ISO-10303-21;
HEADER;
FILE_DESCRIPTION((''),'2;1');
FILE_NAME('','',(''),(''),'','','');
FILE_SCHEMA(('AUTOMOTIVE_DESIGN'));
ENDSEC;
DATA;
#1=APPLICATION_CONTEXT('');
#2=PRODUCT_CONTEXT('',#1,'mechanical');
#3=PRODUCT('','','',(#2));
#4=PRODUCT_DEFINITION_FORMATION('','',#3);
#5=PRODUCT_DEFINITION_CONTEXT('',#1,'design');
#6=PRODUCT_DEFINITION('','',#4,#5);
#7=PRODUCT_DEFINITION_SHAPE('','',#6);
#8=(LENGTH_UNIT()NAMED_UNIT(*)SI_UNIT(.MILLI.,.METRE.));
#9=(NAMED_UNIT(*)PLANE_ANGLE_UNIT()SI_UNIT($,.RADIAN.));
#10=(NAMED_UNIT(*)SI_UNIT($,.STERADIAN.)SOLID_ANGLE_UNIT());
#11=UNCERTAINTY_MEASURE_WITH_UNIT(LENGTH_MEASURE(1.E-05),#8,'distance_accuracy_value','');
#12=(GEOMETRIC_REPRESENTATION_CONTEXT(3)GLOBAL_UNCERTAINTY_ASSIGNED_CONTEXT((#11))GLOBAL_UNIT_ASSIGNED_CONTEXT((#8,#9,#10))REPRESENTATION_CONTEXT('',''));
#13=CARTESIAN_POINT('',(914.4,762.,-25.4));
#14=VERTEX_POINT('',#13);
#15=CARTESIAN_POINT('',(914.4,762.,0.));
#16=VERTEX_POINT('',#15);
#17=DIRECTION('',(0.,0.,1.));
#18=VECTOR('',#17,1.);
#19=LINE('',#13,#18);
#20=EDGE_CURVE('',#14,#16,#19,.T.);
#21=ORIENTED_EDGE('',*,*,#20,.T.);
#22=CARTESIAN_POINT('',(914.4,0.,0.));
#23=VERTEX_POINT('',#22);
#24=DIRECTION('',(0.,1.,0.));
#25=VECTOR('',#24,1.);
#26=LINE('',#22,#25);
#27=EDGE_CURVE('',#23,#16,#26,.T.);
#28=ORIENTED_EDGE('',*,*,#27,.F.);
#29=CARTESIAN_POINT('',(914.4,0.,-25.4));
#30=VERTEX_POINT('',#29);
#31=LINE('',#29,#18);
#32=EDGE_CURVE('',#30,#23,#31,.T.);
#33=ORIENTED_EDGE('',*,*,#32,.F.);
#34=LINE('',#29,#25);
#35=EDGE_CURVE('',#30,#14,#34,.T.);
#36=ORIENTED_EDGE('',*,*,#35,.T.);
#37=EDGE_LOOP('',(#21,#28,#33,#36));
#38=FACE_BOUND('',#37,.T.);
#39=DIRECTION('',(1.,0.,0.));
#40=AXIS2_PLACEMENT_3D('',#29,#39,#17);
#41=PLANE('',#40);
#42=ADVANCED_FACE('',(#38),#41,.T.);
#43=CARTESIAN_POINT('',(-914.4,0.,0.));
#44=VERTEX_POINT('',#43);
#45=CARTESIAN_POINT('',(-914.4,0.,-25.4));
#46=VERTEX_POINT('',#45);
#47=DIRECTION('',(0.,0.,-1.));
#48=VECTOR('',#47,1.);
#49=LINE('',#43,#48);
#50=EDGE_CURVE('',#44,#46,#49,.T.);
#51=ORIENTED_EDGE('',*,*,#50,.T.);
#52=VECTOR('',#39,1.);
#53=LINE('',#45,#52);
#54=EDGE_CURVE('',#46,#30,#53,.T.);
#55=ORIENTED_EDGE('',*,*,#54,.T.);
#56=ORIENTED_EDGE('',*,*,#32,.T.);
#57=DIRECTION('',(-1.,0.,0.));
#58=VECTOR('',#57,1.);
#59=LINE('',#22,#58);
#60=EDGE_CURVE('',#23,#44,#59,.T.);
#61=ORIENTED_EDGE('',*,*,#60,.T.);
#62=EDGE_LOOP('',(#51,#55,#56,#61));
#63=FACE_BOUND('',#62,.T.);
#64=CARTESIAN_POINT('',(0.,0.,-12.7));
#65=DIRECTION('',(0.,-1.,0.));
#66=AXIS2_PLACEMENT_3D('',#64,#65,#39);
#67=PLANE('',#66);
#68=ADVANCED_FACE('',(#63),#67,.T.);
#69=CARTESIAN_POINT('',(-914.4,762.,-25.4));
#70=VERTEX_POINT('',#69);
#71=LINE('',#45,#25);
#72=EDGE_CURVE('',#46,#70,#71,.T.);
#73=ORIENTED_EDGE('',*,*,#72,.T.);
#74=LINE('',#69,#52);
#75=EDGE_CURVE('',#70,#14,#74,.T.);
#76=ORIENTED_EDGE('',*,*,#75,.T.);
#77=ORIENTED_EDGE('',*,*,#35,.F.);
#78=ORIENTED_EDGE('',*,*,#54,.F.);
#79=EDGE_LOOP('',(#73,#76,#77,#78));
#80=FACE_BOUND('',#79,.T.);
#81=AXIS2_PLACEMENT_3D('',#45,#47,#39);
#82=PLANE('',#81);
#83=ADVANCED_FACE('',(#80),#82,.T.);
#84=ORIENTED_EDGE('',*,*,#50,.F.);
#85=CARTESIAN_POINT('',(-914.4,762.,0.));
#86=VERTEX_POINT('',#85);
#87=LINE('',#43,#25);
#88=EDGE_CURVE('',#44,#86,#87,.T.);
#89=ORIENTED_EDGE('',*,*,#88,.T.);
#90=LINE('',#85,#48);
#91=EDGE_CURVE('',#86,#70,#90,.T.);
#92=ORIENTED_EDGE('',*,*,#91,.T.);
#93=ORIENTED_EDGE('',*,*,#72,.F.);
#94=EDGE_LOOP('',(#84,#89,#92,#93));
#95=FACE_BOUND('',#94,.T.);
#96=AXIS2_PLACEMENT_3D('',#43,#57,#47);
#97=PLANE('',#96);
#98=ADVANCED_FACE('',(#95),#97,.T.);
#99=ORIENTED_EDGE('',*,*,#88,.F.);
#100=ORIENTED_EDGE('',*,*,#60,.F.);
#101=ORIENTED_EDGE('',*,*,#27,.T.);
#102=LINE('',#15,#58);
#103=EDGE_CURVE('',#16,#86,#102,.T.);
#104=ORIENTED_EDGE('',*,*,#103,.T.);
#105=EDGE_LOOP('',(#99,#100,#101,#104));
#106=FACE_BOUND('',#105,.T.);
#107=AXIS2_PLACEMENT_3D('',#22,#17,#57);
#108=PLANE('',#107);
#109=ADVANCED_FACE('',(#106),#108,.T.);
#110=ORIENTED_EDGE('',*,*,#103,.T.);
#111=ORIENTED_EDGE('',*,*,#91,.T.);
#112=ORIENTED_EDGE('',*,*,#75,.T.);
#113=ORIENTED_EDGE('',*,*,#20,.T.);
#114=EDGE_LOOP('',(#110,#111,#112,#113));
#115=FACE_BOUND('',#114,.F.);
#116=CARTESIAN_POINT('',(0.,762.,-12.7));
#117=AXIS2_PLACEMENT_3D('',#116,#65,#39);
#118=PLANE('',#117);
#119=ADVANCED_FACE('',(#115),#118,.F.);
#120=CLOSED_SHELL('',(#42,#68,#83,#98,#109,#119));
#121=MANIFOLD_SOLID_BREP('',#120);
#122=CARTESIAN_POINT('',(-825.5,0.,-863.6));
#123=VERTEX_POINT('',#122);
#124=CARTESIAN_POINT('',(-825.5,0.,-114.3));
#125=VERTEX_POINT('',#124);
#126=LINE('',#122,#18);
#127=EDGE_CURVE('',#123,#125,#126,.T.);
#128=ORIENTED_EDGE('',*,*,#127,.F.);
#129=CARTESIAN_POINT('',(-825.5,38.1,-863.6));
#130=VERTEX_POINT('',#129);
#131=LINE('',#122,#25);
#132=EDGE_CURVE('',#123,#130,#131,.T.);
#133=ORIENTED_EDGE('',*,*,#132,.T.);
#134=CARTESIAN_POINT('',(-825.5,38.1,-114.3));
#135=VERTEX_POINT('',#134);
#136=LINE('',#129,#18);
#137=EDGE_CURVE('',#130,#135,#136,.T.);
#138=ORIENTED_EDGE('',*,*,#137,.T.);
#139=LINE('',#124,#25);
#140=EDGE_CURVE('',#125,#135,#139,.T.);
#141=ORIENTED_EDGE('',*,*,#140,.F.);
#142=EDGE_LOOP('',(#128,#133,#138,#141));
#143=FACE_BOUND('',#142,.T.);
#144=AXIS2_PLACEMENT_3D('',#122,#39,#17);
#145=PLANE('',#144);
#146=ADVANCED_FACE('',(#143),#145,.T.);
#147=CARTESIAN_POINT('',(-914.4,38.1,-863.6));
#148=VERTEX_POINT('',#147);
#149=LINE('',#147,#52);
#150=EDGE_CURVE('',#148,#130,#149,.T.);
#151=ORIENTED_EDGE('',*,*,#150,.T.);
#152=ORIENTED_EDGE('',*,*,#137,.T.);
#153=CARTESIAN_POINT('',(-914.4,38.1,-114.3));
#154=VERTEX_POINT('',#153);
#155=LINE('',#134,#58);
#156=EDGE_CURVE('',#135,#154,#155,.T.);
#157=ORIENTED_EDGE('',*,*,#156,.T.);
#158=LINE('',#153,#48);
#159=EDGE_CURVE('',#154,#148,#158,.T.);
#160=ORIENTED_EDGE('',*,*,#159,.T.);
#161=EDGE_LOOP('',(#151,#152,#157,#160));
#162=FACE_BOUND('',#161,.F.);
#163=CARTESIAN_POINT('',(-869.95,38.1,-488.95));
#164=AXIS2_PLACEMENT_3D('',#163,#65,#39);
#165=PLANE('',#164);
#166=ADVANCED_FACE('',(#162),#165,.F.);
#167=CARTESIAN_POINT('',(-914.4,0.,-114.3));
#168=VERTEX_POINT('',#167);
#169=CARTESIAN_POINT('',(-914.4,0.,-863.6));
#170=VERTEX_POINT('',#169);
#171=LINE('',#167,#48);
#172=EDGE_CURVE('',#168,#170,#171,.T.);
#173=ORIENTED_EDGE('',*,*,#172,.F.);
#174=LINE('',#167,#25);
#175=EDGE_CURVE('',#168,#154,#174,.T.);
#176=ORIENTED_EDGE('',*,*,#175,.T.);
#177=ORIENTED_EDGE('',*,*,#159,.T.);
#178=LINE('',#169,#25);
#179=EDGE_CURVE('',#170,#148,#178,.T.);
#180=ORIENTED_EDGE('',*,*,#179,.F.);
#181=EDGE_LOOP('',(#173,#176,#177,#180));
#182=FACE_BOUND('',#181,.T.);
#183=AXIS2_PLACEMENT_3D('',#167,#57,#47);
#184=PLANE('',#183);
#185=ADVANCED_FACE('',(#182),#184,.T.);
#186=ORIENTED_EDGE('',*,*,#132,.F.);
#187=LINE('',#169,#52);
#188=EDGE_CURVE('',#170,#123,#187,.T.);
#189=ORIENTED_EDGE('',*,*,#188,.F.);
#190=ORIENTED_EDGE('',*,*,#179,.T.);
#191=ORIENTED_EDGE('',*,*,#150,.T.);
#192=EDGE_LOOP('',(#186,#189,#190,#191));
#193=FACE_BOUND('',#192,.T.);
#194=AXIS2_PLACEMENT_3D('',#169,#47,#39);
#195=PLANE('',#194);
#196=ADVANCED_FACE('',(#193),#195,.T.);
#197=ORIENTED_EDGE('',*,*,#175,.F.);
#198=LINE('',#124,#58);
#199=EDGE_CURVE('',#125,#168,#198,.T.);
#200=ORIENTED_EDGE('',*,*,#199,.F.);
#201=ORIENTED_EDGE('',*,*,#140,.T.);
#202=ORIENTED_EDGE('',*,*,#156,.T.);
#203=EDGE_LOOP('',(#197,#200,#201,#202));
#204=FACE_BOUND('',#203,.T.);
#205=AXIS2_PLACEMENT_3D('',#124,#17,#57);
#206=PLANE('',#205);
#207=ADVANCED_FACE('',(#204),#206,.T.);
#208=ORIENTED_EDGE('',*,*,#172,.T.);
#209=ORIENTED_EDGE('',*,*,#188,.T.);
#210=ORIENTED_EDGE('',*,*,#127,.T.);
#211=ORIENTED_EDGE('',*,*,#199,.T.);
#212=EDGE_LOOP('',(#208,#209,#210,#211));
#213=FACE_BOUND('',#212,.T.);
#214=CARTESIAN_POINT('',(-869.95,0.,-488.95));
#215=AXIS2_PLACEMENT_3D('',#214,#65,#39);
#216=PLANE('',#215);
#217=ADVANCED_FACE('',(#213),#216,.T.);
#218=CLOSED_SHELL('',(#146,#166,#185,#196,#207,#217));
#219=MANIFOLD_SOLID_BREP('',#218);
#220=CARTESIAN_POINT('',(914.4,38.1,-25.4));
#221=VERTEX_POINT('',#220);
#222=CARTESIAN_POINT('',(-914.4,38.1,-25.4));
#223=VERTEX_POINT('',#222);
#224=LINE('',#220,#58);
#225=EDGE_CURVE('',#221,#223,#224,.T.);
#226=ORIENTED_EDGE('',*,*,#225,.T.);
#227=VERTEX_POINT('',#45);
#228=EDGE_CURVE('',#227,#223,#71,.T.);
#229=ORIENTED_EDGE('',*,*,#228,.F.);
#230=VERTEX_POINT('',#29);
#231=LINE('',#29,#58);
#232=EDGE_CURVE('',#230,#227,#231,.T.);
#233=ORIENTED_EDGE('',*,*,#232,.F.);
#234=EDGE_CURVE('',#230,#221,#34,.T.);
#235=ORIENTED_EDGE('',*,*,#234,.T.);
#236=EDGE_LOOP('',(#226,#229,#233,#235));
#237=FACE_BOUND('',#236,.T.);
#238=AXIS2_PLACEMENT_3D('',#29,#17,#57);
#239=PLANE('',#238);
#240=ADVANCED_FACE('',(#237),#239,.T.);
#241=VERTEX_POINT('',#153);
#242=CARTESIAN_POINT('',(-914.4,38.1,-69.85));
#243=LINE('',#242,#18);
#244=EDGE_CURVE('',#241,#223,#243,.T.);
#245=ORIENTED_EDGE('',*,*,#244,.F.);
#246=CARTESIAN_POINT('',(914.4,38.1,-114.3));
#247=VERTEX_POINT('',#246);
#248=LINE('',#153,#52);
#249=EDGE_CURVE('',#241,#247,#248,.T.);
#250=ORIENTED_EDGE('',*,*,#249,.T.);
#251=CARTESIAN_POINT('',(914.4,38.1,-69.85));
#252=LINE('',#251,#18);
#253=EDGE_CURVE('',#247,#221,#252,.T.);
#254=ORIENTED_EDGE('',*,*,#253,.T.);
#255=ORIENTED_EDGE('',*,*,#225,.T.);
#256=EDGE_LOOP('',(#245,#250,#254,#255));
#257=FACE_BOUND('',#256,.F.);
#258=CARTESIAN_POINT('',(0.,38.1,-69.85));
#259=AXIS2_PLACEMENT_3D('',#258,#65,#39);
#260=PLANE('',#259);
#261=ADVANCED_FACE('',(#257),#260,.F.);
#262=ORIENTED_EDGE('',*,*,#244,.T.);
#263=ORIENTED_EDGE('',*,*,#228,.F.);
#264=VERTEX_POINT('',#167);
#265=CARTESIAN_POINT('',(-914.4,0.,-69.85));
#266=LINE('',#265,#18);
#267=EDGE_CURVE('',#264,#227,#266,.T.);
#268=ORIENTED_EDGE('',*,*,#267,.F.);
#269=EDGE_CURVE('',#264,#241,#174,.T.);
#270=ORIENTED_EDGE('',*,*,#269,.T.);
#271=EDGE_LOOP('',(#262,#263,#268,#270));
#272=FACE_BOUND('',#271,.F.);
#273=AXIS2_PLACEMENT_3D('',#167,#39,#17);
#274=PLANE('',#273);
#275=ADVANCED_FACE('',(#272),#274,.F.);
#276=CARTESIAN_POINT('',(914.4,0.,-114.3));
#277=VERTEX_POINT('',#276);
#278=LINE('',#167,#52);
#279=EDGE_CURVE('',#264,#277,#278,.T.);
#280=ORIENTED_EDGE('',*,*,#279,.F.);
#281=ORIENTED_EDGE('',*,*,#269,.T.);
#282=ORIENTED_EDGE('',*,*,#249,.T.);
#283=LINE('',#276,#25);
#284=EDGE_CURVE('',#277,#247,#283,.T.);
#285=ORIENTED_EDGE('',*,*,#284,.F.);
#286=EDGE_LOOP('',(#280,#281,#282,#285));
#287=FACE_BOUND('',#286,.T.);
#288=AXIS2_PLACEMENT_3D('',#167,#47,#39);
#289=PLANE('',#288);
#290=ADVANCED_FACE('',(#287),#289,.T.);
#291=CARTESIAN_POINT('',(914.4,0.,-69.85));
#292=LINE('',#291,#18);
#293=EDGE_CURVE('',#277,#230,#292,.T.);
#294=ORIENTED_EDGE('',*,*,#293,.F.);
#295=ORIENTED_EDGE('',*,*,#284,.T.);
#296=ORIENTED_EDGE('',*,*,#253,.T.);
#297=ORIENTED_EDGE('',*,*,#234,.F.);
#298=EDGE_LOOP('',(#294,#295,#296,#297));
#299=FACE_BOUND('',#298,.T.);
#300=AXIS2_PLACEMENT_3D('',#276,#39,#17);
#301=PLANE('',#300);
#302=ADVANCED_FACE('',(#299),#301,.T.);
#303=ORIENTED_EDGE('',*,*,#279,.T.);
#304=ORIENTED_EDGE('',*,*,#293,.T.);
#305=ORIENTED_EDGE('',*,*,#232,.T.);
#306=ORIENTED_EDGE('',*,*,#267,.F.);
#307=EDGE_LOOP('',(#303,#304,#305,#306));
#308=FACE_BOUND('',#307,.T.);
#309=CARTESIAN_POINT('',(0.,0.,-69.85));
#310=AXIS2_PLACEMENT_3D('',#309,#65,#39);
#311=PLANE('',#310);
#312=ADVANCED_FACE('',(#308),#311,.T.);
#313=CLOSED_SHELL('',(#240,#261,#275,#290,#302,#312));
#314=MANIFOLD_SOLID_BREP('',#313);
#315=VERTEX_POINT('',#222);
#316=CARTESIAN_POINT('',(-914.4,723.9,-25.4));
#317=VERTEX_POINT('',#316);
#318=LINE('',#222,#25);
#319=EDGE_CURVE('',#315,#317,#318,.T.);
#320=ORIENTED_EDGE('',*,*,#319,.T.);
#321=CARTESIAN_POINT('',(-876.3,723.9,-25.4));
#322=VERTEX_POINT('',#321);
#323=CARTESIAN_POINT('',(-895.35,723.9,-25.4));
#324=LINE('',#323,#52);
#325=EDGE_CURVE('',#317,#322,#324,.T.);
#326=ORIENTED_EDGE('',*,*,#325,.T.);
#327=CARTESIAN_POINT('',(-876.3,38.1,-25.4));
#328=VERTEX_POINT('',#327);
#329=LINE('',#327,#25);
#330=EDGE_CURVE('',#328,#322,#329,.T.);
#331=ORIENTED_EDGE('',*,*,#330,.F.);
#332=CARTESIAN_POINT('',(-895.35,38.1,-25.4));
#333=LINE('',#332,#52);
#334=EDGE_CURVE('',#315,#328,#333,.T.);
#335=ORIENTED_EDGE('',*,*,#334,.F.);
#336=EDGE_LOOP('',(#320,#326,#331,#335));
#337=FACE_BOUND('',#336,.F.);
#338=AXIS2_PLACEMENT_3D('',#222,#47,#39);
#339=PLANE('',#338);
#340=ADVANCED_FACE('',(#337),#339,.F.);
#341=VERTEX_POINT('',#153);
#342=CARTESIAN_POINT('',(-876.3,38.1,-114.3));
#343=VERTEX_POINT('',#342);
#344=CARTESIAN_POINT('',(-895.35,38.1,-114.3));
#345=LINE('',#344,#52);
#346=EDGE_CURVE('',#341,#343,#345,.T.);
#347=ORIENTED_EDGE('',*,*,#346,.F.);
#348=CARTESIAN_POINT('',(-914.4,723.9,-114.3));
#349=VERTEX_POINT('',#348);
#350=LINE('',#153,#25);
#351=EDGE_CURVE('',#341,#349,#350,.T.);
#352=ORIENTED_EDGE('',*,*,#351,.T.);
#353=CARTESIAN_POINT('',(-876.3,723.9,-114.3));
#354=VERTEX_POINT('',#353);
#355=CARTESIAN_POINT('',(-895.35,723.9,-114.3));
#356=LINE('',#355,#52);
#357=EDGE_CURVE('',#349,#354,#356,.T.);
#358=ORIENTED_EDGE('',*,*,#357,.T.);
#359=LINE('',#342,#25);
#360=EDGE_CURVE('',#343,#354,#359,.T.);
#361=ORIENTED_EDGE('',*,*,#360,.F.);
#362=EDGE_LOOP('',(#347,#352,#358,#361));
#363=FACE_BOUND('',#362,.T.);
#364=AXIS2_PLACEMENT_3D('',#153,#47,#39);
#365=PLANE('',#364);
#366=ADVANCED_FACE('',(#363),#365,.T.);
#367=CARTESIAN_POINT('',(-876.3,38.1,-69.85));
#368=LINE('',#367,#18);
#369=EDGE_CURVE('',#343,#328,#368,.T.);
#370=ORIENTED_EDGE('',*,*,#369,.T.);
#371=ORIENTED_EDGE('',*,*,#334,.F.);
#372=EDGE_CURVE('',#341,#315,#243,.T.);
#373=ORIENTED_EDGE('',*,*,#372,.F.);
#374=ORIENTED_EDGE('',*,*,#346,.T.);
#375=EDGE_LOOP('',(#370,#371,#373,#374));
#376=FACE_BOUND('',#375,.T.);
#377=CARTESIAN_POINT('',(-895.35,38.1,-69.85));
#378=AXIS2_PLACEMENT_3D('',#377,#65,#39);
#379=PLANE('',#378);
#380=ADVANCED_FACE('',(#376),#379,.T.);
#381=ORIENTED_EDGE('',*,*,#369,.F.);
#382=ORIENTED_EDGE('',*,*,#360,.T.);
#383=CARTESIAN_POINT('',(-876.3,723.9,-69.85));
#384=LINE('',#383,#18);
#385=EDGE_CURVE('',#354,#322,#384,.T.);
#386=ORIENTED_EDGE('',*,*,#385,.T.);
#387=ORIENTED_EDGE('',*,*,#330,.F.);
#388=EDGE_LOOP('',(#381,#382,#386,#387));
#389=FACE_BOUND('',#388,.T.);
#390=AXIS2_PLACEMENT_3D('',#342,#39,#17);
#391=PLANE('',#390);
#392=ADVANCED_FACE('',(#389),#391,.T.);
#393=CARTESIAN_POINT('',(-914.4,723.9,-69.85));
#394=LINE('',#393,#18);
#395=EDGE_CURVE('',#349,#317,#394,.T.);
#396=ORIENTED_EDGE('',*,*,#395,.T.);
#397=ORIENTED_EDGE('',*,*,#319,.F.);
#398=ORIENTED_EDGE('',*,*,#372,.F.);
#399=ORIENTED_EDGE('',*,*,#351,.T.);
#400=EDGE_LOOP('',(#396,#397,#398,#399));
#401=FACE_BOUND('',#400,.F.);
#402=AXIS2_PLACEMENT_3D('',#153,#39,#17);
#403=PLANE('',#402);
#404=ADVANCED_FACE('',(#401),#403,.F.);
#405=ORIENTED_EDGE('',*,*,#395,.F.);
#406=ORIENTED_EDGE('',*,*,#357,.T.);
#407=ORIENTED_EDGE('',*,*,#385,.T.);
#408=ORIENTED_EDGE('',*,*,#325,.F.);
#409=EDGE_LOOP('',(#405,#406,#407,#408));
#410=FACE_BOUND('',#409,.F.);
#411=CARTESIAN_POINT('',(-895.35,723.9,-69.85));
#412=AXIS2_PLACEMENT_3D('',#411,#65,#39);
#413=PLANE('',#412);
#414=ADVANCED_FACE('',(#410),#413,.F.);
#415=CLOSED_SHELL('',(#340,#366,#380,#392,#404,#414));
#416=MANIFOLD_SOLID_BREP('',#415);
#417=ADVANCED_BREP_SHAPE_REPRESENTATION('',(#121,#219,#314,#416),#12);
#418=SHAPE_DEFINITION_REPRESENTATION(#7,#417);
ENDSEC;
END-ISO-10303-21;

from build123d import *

# Parameters (mm, degrees)
F1_DEPTH = 762
F2_DEPTH = 38.1
F0_W     = 38.1
F0_H     = 88.9
F3_DEPTH = 685.8
F0_W_2   = 50.8
F5_DEPTH = 38.1


with BuildPart() as f1:
    # F0 (on Front) → F1 (new body)
    with BuildSketch(Plane.XZ):
        Polygon((914.4, 0), (0, 0), (-914.4, 0), (-914.4, -25.4), (-876.3, -25.4), (-825.5, -25.4), (0, -25.4), (825.5, -25.4), (876.3, -25.4), (914.4, -25.4), align=None)
    extrude(amount=-F1_DEPTH)


with BuildPart() as f2:
    # F0 (on Front) → F2 (new body)
    with BuildSketch(Plane.XZ):
        Polygon((-876.3, -114.3), (-914.4, -114.3), (-914.4, -863.6), (-825.5, -863.6), (-825.5, -114.3), align=None)
    extrude(amount=-F2_DEPTH)


with BuildPart() as f3:
    # F0 (on Front) → F3 (new body)
    with BuildSketch(Plane.XZ):
        with Locations((-895.35, -69.85)):
            Rectangle(F0_W, F0_H)
    extrude(amount=-F3_DEPTH)


with BuildPart() as f3_1:
    # F4: moved
    add(f3.part.moved(Location((0, 38.1, 0))))


with BuildPart() as f5:
    # F0 (on Front) → F5 (new body)
    with BuildSketch(Plane.XZ):
        Polygon((0, -25.4), (-825.5, -25.4), (-825.5, -114.3), (0, -114.3), (825.5, -114.3), (825.5, -25.4), align=None)
        with Locations((-850.9, -69.85)):
            Rectangle(F0_W_2, F0_H)
        with Locations((-895.35, -69.85)):
            Rectangle(F0_W, F0_H)
        with Locations((850.9, -69.85)):
            Rectangle(F0_W_2, F0_H)
        with Locations((895.35, -69.85)):
            Rectangle(F0_W, F0_H)
    extrude(amount=-F5_DEPTH)


solid = Compound([f1.part, f2.part, f3_1.part, f5.part])
